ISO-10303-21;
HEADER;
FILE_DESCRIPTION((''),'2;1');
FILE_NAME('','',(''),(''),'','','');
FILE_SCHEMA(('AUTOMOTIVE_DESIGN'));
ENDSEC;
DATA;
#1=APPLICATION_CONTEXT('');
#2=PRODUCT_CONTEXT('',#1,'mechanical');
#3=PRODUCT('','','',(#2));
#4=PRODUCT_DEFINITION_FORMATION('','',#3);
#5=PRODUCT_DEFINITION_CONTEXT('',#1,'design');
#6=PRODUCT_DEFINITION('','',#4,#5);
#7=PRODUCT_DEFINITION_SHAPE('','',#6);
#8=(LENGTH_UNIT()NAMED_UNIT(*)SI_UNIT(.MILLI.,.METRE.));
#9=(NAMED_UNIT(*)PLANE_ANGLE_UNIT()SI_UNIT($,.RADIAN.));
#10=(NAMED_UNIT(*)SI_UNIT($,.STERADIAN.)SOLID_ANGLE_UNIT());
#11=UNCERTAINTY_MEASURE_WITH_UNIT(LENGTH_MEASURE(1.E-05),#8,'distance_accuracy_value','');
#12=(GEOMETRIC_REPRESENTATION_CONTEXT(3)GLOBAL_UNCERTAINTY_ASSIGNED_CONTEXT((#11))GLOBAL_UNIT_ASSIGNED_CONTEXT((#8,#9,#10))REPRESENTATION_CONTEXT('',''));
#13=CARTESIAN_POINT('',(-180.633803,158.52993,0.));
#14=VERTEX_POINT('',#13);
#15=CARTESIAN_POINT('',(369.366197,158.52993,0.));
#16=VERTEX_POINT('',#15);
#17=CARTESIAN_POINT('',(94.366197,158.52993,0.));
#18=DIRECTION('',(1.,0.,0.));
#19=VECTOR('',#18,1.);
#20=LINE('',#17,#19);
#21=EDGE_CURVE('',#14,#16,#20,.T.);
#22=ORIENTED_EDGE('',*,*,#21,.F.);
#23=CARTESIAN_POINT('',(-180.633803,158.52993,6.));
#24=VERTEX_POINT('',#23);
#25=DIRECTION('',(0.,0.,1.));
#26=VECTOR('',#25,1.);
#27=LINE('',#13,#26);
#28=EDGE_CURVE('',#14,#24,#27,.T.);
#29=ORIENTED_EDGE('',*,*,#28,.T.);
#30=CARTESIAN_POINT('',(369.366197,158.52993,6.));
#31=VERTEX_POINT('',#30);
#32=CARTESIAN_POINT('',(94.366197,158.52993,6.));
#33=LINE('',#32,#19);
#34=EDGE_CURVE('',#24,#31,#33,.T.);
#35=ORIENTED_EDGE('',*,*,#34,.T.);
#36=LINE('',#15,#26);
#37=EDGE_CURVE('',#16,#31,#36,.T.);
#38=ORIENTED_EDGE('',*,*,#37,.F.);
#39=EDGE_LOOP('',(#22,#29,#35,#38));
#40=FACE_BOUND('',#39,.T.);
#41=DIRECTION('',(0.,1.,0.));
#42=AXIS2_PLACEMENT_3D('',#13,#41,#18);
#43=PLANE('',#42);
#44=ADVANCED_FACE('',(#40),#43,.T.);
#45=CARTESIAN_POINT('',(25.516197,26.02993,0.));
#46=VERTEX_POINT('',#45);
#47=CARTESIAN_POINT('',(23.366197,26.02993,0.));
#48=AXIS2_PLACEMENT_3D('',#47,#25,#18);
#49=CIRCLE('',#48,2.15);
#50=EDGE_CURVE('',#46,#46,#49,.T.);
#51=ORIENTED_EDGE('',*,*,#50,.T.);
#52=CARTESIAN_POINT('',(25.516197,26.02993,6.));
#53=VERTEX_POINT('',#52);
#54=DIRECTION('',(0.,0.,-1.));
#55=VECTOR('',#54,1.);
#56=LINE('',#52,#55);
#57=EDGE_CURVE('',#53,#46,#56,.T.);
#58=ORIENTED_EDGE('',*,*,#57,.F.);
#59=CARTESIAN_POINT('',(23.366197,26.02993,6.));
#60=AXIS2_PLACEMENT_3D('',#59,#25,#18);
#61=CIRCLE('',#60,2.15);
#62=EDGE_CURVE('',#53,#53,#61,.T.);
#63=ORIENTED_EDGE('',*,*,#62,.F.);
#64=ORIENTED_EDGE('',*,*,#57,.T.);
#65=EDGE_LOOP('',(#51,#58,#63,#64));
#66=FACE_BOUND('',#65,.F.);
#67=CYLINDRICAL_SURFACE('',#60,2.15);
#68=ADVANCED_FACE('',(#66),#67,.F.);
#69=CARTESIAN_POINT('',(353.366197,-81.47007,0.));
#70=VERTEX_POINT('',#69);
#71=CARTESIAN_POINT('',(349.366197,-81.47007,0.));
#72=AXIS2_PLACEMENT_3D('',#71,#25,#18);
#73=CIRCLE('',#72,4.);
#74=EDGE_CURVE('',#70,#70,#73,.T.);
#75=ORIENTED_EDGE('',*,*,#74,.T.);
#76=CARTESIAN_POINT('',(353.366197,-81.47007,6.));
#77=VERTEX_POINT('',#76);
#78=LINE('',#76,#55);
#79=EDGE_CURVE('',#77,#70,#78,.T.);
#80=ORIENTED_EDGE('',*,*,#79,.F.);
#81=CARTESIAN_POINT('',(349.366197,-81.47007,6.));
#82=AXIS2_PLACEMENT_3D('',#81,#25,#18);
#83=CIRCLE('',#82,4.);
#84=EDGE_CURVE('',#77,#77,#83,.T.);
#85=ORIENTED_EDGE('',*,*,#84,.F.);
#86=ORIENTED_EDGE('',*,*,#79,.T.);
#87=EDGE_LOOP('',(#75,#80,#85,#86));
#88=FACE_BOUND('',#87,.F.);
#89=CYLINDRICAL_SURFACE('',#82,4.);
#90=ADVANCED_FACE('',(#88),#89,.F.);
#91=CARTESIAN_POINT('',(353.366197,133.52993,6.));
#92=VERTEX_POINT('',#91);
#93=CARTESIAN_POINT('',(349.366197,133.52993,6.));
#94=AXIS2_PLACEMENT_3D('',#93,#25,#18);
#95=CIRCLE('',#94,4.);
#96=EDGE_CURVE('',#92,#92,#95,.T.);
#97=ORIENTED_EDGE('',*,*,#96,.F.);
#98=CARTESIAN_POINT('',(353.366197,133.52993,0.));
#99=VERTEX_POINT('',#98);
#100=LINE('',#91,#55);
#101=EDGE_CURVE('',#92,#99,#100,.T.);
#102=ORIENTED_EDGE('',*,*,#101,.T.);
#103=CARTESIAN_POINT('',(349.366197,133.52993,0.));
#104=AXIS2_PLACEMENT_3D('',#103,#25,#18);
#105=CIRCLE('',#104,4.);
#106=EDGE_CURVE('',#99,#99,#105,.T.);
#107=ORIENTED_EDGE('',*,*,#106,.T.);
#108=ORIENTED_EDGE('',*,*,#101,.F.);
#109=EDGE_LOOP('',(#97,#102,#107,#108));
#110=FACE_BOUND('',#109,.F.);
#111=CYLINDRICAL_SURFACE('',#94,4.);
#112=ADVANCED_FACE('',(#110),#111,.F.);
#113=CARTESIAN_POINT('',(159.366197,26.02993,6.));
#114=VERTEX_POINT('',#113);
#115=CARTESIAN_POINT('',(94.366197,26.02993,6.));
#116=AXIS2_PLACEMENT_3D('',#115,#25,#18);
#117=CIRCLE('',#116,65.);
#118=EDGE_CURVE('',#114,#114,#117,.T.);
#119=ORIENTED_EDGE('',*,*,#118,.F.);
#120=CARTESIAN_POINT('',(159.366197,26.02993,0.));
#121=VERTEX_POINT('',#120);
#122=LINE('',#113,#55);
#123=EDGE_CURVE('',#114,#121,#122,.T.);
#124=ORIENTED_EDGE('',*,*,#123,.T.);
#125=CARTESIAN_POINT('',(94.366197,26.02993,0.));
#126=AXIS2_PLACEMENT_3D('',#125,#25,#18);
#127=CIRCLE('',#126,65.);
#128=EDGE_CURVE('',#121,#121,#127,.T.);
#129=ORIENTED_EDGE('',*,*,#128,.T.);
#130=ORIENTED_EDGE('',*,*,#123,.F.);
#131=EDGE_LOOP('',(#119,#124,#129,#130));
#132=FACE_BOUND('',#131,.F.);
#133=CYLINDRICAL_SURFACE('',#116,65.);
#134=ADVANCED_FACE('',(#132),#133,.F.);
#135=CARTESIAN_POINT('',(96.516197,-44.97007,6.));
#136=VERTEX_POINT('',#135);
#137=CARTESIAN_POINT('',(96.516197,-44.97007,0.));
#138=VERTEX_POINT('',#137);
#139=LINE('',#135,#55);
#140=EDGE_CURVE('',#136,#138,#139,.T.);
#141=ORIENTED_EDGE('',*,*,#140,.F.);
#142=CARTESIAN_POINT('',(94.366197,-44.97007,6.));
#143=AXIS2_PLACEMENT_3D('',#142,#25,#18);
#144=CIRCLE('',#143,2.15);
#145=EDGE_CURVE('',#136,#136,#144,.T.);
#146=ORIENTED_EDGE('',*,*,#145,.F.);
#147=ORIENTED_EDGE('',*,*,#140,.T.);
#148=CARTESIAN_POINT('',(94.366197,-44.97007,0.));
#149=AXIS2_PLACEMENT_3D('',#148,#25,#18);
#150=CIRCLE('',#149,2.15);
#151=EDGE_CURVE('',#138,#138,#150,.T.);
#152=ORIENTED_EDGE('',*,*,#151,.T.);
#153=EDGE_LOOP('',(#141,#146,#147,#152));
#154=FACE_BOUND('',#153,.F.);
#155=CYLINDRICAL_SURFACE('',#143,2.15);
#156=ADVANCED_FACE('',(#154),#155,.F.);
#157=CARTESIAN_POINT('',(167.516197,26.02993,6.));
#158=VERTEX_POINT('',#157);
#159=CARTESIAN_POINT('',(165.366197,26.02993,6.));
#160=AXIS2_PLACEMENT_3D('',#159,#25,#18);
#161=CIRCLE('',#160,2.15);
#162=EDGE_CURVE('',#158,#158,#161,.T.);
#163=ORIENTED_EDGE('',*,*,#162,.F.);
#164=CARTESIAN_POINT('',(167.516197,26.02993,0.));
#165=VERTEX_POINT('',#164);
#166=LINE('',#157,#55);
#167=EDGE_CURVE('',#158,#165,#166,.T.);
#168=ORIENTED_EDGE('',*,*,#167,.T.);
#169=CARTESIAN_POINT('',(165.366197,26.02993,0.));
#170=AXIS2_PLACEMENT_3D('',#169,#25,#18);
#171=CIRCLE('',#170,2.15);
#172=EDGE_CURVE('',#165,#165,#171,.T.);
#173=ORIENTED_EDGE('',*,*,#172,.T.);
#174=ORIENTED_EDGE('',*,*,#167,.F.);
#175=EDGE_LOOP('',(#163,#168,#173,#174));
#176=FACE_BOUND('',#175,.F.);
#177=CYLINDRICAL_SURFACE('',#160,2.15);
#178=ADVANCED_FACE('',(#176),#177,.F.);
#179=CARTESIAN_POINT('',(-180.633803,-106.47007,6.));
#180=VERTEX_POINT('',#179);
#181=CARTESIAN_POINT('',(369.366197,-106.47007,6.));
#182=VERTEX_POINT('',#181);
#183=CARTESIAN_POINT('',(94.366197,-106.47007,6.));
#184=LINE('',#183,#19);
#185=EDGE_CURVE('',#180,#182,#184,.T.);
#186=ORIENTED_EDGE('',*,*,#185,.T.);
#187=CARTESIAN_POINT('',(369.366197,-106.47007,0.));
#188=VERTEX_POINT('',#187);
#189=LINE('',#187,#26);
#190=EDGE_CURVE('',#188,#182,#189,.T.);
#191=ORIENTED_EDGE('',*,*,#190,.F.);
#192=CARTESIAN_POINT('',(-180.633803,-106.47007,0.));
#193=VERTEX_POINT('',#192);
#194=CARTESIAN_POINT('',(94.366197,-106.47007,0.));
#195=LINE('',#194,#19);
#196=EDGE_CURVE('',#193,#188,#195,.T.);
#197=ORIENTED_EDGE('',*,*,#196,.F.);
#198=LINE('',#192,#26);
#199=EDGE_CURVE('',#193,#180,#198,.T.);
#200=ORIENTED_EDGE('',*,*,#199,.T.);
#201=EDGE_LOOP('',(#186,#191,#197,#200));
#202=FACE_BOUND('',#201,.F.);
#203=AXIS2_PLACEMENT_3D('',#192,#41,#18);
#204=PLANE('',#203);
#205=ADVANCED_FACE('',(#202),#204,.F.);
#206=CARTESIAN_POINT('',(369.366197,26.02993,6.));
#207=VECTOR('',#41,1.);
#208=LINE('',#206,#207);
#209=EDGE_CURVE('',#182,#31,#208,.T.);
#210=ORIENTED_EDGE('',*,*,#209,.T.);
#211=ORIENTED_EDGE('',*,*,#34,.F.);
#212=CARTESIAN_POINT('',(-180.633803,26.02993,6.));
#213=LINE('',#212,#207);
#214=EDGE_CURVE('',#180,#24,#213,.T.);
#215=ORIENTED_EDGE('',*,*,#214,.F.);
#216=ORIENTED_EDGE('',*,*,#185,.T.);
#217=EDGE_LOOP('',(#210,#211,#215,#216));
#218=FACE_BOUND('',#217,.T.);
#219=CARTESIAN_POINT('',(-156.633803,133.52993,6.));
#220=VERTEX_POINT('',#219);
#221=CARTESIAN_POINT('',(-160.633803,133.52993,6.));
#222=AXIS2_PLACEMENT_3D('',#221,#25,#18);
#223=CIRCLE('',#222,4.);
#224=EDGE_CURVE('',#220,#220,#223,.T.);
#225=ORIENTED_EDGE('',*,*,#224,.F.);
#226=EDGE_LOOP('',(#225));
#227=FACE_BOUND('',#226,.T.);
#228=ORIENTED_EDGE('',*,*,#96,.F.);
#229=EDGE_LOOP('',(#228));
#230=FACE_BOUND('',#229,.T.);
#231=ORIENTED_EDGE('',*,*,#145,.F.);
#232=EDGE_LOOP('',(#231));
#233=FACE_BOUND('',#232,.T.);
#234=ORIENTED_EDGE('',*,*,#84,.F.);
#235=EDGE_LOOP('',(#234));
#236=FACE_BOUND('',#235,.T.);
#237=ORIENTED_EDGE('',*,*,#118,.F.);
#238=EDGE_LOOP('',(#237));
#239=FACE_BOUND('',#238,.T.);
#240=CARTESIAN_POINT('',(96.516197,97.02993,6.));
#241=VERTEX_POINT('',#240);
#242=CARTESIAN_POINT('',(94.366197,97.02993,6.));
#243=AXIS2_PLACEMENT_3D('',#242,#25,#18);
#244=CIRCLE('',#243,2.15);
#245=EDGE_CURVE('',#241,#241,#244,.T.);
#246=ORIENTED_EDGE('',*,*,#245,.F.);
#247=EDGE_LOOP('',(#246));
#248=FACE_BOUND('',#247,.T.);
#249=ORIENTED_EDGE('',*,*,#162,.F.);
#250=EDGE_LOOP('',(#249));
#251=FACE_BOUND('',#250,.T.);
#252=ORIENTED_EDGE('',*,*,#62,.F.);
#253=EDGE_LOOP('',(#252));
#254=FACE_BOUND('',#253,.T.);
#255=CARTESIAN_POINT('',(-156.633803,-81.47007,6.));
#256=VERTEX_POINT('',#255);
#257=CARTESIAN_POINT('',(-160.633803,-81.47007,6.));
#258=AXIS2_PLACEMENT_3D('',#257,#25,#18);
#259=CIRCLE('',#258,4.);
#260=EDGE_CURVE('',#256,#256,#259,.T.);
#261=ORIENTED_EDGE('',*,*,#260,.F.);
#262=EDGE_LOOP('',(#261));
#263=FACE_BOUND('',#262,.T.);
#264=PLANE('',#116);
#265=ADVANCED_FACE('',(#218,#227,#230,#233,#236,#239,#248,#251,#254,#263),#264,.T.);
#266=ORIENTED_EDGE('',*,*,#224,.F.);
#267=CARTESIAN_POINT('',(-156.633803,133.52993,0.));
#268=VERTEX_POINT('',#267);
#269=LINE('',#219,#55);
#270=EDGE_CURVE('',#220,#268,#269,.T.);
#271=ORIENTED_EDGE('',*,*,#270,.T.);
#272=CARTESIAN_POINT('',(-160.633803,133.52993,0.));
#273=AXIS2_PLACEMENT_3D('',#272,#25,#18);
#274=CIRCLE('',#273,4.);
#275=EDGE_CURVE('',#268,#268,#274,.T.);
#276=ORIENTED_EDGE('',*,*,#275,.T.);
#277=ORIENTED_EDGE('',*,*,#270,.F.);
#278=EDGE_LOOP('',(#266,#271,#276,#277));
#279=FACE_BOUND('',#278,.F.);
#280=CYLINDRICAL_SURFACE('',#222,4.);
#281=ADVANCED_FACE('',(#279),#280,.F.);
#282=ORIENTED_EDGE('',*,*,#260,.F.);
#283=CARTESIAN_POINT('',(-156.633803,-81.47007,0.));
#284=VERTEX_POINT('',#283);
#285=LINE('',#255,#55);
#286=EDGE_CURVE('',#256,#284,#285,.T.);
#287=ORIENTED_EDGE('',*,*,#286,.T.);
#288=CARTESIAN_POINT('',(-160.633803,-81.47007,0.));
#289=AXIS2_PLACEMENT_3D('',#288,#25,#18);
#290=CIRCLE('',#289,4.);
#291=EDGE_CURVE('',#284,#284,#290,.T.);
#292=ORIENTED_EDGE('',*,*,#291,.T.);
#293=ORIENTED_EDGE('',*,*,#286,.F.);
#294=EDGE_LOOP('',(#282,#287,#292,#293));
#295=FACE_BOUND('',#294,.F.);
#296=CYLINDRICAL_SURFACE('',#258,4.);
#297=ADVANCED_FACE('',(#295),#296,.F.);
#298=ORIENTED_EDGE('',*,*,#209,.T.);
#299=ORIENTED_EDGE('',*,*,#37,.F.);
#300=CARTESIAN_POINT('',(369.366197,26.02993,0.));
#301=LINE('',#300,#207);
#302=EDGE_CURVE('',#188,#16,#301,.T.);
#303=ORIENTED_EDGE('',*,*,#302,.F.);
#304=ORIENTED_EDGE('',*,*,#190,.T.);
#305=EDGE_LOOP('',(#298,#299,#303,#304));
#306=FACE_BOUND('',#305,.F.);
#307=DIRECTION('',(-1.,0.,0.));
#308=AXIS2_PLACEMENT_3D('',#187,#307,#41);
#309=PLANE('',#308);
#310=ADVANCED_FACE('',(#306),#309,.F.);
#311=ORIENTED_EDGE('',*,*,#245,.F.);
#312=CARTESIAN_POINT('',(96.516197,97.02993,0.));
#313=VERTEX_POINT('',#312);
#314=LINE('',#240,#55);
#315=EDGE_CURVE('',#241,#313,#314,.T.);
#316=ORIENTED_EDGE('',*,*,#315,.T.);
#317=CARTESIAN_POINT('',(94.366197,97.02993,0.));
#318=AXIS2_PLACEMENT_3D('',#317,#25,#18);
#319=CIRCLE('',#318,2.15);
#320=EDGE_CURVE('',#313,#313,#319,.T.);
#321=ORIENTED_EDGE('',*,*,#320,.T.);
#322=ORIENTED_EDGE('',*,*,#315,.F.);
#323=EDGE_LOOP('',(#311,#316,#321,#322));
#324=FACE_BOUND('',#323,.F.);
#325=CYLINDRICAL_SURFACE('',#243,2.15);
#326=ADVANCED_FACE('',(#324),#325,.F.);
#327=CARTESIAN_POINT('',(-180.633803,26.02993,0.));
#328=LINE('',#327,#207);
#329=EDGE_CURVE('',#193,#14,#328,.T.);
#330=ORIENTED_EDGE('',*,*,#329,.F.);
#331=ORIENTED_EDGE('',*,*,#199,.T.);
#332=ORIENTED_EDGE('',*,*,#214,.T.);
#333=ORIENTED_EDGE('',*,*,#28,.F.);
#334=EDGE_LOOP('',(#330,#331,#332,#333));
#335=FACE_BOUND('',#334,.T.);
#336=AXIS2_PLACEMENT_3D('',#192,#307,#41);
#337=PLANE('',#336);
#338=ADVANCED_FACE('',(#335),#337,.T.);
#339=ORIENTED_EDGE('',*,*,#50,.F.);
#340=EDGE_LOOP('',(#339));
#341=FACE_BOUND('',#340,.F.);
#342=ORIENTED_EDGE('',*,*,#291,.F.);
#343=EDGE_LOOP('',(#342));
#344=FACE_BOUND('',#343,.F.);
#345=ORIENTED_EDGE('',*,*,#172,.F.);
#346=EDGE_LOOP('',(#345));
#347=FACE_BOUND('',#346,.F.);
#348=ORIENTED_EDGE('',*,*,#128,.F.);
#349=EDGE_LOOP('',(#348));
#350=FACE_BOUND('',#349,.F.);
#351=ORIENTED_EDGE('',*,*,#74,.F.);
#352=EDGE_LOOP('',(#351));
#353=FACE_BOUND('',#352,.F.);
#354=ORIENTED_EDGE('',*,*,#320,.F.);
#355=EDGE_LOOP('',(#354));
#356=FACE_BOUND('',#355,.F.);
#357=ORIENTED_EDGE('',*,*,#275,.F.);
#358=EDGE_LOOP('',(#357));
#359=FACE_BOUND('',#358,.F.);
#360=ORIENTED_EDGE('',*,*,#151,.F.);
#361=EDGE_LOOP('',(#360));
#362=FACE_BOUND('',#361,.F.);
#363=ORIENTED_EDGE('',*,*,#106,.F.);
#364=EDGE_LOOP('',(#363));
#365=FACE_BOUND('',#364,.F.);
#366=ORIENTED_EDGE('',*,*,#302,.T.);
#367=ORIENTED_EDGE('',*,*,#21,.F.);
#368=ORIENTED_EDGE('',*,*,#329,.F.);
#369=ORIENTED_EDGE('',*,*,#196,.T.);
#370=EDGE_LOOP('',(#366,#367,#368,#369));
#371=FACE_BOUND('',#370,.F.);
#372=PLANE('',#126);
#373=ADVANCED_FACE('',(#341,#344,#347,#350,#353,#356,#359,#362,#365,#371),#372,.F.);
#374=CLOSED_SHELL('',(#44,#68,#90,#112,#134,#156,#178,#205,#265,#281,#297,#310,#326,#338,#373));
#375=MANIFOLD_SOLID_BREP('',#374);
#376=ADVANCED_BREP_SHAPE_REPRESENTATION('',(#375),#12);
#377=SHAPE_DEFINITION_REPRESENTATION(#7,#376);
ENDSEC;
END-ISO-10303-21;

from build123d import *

# Parameters (mm, degrees)
ESQUISSE1_W             = 550
ESQUISSE1_H             = 265
BOSS_EXTRU_1_DEPTH      = 6
ESQUISSE2_R             = 65
ESQUISSE2_R_2           = 2.15
ESQUISSE2_R_3           = 4
ENL_V_MAT_EXTRU_1_DEPTH = 6


with BuildPart() as part:
    # Esquisse1 → Boss.-Extru.1 (new body)
    with BuildSketch(Plane.XY):
        with Locations((94.366197183, 26.029929577)):
            Rectangle(ESQUISSE1_W, ESQUISSE1_H)
    extrude(amount=BOSS_EXTRU_1_DEPTH)

    # Esquisse2 → Enlèv. mat.-Extru.1 (cut)
    with BuildSketch(Plane.XY.offset(6)):
        with Locations((94.366197183, 26.029929577)):
            Circle(ESQUISSE2_R)
        with Locations((94.366197183, 97.029929577)):
            Circle(ESQUISSE2_R_2)
        with Locations((165.366197183, 26.029929577)):
            Circle(ESQUISSE2_R_2)
        with Locations((94.366197183, -44.970070423)):
            Circle(ESQUISSE2_R_2)
        with Locations((23.366197183, 26.029929577)):
            Circle(ESQUISSE2_R_2)
        with Locations((-160.633802817, 133.529929577)):
            Circle(ESQUISSE2_R_3)
        with Locations((349.366197183, 133.529929577)):
            Circle(ESQUISSE2_R_3)
        with Locations((349.366197183, -81.470070423)):
            Circle(ESQUISSE2_R_3)
        with Locations((-160.633802817, -81.470070423)):
            Circle(ESQUISSE2_R_3)
    extrude(amount=-ENL_V_MAT_EXTRU_1_DEPTH, mode=Mode.SUBTRACT)


solid = part.part
